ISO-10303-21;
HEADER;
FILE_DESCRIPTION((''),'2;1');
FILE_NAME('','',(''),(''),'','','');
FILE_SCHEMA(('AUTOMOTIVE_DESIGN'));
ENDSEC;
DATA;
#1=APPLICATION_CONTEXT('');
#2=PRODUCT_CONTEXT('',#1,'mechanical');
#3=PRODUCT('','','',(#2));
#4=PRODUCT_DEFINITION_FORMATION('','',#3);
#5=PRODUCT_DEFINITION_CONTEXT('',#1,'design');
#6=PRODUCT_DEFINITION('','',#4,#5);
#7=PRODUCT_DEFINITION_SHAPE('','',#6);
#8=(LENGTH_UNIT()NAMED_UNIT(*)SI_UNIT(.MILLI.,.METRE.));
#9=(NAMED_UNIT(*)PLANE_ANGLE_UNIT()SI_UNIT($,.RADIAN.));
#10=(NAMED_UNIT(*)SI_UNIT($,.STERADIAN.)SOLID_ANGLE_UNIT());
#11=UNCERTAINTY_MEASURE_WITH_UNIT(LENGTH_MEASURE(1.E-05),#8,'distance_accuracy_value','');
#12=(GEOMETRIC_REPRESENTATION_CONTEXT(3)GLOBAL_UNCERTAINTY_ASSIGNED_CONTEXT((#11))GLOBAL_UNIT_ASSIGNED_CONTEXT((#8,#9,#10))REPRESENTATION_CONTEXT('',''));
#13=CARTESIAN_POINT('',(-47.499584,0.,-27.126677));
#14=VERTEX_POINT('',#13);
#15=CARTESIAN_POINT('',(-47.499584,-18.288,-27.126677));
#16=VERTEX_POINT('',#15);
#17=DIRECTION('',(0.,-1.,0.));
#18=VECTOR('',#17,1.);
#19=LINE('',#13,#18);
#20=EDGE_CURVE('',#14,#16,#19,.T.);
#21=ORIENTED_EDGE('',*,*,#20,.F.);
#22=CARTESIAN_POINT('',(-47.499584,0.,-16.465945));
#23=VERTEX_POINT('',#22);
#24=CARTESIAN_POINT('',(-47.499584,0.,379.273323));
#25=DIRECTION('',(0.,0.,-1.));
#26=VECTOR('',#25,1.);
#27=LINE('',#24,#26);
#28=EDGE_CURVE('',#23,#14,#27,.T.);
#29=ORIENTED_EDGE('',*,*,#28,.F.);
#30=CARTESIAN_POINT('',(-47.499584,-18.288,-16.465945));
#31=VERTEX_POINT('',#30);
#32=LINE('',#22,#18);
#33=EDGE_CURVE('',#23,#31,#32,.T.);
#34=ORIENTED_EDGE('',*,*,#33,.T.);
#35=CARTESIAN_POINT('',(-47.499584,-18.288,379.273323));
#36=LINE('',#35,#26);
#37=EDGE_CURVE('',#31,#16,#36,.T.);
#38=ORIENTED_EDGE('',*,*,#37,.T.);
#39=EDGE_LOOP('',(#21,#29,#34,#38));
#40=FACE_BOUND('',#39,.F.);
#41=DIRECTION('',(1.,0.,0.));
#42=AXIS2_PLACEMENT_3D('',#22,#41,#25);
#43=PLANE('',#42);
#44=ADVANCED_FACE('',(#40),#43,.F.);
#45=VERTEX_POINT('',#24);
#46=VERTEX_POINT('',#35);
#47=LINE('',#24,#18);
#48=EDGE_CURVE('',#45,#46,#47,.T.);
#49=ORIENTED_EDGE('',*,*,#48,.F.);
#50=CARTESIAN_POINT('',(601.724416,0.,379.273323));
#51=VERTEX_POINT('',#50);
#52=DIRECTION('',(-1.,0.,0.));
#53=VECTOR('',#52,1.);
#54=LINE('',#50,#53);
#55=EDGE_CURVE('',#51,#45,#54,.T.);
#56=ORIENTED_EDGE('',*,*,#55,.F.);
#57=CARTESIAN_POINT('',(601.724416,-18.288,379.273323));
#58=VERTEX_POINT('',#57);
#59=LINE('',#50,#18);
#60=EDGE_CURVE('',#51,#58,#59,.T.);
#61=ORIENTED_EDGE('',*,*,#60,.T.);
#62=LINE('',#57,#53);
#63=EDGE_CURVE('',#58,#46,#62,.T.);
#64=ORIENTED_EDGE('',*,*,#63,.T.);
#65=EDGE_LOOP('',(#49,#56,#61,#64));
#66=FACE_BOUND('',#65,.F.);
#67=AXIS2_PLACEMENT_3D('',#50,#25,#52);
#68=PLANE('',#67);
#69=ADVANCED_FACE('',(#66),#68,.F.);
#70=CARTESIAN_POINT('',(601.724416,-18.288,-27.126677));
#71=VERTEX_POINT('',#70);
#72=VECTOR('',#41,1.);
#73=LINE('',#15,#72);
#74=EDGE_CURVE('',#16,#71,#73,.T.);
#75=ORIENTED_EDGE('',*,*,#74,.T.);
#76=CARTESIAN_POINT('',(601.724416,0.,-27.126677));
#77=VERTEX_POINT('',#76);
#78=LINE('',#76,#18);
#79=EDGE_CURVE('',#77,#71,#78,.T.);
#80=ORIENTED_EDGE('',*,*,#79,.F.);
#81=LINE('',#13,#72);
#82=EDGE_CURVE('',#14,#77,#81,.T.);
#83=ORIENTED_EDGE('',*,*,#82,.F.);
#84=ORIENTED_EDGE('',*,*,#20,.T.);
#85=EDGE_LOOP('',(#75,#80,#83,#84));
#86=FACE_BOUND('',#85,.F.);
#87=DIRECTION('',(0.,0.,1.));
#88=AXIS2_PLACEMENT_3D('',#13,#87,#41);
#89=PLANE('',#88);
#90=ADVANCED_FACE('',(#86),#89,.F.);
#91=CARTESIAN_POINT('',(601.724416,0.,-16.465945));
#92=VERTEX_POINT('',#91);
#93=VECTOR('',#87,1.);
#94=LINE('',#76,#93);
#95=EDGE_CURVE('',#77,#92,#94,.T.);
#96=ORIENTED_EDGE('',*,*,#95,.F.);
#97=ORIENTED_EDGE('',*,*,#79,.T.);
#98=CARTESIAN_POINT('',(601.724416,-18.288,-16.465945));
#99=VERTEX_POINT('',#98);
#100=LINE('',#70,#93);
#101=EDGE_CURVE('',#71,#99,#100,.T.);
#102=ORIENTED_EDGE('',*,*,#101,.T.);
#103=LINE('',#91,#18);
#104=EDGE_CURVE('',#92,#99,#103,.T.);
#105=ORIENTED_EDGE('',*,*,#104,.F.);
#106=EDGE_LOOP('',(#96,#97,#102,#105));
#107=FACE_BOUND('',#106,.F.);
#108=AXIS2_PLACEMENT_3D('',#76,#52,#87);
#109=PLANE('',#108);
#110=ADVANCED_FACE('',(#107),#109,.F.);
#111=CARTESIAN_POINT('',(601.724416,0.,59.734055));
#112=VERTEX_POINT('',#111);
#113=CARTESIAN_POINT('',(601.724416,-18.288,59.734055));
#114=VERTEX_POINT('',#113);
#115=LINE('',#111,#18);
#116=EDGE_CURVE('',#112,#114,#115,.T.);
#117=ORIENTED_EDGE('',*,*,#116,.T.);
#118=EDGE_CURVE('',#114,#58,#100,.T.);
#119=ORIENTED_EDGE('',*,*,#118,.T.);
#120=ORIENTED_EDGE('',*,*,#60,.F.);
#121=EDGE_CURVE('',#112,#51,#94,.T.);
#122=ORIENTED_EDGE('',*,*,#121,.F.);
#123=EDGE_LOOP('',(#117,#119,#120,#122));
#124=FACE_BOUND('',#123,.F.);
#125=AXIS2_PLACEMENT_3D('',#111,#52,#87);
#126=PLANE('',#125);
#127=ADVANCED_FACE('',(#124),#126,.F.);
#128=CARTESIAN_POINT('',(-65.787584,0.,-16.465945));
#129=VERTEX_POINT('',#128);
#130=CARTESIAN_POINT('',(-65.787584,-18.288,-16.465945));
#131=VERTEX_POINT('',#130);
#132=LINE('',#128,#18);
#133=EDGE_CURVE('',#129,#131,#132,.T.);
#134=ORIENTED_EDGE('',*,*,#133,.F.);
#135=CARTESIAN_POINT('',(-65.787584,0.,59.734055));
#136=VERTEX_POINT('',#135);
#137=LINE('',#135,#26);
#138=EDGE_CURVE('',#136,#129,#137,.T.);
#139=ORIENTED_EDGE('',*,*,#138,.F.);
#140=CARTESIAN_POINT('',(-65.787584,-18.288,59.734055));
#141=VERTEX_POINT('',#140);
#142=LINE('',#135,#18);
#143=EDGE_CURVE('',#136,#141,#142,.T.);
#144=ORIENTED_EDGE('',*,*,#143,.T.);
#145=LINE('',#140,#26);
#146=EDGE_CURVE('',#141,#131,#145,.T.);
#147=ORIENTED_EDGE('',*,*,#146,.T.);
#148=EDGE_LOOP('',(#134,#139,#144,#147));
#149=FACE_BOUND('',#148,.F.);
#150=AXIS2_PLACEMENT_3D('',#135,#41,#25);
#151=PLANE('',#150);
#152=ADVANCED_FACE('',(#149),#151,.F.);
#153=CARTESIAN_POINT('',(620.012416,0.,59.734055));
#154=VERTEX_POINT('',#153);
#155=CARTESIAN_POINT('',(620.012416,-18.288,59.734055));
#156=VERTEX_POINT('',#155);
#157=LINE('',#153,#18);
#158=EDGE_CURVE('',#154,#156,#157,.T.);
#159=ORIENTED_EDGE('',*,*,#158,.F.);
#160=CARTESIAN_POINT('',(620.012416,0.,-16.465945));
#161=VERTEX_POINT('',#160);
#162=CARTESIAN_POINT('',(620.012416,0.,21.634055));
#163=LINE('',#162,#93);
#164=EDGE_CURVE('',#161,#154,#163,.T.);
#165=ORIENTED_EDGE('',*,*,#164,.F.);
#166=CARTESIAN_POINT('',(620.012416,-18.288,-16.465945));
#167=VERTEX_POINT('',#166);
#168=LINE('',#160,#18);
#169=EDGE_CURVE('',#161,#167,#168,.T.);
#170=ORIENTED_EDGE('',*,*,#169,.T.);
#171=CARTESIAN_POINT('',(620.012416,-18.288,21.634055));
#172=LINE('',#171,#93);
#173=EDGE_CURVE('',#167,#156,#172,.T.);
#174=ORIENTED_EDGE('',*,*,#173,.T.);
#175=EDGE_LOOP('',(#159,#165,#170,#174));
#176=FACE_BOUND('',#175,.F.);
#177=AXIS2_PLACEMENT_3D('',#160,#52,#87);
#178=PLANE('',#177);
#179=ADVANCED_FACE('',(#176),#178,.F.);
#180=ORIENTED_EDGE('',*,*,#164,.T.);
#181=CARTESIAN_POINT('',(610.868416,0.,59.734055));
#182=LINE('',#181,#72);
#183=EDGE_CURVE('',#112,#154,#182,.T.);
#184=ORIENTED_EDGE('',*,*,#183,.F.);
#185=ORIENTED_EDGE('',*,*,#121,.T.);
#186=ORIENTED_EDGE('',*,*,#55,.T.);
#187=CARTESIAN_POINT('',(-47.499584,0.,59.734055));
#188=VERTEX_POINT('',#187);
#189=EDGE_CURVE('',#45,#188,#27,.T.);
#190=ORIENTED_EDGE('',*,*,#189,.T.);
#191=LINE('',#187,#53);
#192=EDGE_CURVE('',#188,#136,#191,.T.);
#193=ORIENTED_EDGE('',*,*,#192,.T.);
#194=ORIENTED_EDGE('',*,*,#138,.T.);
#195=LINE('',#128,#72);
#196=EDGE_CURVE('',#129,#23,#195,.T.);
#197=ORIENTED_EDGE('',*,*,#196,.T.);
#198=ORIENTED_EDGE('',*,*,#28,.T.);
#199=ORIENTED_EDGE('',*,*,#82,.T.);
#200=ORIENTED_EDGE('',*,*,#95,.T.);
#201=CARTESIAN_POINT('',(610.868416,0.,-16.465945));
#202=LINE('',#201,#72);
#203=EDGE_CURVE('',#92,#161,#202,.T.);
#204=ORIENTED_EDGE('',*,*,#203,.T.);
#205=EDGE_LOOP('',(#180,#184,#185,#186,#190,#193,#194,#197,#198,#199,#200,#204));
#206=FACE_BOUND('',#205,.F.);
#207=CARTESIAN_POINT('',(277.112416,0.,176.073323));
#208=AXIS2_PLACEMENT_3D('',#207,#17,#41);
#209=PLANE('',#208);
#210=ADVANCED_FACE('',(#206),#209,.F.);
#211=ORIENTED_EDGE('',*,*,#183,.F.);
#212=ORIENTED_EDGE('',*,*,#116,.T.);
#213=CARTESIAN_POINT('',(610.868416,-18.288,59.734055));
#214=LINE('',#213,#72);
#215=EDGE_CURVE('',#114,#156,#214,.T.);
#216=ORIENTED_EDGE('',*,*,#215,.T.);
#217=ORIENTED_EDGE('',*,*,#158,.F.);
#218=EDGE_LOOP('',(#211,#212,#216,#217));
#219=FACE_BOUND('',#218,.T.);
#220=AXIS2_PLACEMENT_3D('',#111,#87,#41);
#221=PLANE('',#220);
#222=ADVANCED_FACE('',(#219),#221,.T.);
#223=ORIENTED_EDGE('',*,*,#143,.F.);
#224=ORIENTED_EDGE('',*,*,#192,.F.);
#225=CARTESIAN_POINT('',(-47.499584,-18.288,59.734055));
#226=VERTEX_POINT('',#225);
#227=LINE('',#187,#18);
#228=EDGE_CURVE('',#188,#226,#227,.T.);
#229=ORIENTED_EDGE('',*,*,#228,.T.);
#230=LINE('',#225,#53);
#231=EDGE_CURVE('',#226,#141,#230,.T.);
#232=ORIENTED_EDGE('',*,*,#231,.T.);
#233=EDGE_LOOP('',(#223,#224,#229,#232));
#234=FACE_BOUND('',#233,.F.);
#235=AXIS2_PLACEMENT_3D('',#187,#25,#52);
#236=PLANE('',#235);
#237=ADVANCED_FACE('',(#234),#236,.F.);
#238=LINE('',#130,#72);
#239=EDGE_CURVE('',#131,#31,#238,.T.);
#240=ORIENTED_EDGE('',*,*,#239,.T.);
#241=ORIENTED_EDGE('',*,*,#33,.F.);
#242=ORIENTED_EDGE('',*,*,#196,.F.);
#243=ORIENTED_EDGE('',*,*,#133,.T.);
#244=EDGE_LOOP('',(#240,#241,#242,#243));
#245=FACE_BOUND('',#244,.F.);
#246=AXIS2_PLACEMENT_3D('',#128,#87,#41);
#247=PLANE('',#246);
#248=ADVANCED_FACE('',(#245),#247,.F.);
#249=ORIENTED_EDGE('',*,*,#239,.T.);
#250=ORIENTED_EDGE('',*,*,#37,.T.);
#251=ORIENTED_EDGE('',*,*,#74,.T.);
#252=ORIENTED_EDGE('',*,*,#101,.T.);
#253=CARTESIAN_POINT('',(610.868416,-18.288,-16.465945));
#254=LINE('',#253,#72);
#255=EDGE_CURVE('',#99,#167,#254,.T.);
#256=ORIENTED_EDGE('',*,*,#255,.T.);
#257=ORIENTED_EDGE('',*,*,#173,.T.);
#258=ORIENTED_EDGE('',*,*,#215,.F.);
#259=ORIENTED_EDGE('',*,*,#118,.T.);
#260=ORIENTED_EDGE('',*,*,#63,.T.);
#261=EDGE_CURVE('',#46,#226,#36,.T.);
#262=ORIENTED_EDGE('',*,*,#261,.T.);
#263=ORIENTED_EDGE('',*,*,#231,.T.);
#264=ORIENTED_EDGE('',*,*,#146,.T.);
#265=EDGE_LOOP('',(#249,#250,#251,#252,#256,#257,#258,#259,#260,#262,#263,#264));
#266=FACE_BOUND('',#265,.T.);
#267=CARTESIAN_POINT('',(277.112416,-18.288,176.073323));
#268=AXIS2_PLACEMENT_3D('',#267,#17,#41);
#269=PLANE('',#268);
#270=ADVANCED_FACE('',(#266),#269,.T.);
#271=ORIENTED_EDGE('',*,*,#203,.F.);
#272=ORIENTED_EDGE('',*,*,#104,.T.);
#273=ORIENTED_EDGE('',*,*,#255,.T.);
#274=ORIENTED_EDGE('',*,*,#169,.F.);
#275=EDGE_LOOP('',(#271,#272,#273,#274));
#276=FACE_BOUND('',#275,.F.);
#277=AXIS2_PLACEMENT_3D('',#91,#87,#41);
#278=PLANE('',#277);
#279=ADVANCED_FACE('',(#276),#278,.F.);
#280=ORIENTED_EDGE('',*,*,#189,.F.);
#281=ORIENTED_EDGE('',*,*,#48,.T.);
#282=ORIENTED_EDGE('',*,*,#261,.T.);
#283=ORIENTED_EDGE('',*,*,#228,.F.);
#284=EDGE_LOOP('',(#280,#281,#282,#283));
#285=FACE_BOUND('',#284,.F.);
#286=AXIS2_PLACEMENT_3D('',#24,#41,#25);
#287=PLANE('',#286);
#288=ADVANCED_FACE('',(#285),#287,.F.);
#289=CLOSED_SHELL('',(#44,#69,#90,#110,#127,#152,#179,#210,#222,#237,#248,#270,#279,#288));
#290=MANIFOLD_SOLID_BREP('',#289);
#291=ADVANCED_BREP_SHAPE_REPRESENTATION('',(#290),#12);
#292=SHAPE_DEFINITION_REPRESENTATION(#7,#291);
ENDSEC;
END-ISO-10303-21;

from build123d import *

# Parameters (mm, degrees)
F0_W     = 18.288
F0_H     = 76.2
F1_DEPTH = 18.288


with BuildPart() as f1:
    # F0 (on Front) → F1 (new body)
    with BuildSketch(Plane.XZ):
        Polygon((601.724416, 379.273323), (-47.499584, 379.273323), (-47.499584, 59.734055), (-47.499584, -16.465945), (-47.499584, -27.126677), (601.724416, -27.126677), (601.724416, -16.465945), (601.724416, 59.734055), align=None)
        Polygon((-47.499584, -16.465945), (-47.499584, 59.734055), (-65.787584, 59.734055), (-65.787584, 21.634055), (-65.787584, -5.497572), (-65.787584, -16.465945), align=None)
        with Locations((610.868416, 21.634055)):
            Rectangle(F0_W, F0_H)
    extrude(amount=F1_DEPTH)


solid = f1.part
